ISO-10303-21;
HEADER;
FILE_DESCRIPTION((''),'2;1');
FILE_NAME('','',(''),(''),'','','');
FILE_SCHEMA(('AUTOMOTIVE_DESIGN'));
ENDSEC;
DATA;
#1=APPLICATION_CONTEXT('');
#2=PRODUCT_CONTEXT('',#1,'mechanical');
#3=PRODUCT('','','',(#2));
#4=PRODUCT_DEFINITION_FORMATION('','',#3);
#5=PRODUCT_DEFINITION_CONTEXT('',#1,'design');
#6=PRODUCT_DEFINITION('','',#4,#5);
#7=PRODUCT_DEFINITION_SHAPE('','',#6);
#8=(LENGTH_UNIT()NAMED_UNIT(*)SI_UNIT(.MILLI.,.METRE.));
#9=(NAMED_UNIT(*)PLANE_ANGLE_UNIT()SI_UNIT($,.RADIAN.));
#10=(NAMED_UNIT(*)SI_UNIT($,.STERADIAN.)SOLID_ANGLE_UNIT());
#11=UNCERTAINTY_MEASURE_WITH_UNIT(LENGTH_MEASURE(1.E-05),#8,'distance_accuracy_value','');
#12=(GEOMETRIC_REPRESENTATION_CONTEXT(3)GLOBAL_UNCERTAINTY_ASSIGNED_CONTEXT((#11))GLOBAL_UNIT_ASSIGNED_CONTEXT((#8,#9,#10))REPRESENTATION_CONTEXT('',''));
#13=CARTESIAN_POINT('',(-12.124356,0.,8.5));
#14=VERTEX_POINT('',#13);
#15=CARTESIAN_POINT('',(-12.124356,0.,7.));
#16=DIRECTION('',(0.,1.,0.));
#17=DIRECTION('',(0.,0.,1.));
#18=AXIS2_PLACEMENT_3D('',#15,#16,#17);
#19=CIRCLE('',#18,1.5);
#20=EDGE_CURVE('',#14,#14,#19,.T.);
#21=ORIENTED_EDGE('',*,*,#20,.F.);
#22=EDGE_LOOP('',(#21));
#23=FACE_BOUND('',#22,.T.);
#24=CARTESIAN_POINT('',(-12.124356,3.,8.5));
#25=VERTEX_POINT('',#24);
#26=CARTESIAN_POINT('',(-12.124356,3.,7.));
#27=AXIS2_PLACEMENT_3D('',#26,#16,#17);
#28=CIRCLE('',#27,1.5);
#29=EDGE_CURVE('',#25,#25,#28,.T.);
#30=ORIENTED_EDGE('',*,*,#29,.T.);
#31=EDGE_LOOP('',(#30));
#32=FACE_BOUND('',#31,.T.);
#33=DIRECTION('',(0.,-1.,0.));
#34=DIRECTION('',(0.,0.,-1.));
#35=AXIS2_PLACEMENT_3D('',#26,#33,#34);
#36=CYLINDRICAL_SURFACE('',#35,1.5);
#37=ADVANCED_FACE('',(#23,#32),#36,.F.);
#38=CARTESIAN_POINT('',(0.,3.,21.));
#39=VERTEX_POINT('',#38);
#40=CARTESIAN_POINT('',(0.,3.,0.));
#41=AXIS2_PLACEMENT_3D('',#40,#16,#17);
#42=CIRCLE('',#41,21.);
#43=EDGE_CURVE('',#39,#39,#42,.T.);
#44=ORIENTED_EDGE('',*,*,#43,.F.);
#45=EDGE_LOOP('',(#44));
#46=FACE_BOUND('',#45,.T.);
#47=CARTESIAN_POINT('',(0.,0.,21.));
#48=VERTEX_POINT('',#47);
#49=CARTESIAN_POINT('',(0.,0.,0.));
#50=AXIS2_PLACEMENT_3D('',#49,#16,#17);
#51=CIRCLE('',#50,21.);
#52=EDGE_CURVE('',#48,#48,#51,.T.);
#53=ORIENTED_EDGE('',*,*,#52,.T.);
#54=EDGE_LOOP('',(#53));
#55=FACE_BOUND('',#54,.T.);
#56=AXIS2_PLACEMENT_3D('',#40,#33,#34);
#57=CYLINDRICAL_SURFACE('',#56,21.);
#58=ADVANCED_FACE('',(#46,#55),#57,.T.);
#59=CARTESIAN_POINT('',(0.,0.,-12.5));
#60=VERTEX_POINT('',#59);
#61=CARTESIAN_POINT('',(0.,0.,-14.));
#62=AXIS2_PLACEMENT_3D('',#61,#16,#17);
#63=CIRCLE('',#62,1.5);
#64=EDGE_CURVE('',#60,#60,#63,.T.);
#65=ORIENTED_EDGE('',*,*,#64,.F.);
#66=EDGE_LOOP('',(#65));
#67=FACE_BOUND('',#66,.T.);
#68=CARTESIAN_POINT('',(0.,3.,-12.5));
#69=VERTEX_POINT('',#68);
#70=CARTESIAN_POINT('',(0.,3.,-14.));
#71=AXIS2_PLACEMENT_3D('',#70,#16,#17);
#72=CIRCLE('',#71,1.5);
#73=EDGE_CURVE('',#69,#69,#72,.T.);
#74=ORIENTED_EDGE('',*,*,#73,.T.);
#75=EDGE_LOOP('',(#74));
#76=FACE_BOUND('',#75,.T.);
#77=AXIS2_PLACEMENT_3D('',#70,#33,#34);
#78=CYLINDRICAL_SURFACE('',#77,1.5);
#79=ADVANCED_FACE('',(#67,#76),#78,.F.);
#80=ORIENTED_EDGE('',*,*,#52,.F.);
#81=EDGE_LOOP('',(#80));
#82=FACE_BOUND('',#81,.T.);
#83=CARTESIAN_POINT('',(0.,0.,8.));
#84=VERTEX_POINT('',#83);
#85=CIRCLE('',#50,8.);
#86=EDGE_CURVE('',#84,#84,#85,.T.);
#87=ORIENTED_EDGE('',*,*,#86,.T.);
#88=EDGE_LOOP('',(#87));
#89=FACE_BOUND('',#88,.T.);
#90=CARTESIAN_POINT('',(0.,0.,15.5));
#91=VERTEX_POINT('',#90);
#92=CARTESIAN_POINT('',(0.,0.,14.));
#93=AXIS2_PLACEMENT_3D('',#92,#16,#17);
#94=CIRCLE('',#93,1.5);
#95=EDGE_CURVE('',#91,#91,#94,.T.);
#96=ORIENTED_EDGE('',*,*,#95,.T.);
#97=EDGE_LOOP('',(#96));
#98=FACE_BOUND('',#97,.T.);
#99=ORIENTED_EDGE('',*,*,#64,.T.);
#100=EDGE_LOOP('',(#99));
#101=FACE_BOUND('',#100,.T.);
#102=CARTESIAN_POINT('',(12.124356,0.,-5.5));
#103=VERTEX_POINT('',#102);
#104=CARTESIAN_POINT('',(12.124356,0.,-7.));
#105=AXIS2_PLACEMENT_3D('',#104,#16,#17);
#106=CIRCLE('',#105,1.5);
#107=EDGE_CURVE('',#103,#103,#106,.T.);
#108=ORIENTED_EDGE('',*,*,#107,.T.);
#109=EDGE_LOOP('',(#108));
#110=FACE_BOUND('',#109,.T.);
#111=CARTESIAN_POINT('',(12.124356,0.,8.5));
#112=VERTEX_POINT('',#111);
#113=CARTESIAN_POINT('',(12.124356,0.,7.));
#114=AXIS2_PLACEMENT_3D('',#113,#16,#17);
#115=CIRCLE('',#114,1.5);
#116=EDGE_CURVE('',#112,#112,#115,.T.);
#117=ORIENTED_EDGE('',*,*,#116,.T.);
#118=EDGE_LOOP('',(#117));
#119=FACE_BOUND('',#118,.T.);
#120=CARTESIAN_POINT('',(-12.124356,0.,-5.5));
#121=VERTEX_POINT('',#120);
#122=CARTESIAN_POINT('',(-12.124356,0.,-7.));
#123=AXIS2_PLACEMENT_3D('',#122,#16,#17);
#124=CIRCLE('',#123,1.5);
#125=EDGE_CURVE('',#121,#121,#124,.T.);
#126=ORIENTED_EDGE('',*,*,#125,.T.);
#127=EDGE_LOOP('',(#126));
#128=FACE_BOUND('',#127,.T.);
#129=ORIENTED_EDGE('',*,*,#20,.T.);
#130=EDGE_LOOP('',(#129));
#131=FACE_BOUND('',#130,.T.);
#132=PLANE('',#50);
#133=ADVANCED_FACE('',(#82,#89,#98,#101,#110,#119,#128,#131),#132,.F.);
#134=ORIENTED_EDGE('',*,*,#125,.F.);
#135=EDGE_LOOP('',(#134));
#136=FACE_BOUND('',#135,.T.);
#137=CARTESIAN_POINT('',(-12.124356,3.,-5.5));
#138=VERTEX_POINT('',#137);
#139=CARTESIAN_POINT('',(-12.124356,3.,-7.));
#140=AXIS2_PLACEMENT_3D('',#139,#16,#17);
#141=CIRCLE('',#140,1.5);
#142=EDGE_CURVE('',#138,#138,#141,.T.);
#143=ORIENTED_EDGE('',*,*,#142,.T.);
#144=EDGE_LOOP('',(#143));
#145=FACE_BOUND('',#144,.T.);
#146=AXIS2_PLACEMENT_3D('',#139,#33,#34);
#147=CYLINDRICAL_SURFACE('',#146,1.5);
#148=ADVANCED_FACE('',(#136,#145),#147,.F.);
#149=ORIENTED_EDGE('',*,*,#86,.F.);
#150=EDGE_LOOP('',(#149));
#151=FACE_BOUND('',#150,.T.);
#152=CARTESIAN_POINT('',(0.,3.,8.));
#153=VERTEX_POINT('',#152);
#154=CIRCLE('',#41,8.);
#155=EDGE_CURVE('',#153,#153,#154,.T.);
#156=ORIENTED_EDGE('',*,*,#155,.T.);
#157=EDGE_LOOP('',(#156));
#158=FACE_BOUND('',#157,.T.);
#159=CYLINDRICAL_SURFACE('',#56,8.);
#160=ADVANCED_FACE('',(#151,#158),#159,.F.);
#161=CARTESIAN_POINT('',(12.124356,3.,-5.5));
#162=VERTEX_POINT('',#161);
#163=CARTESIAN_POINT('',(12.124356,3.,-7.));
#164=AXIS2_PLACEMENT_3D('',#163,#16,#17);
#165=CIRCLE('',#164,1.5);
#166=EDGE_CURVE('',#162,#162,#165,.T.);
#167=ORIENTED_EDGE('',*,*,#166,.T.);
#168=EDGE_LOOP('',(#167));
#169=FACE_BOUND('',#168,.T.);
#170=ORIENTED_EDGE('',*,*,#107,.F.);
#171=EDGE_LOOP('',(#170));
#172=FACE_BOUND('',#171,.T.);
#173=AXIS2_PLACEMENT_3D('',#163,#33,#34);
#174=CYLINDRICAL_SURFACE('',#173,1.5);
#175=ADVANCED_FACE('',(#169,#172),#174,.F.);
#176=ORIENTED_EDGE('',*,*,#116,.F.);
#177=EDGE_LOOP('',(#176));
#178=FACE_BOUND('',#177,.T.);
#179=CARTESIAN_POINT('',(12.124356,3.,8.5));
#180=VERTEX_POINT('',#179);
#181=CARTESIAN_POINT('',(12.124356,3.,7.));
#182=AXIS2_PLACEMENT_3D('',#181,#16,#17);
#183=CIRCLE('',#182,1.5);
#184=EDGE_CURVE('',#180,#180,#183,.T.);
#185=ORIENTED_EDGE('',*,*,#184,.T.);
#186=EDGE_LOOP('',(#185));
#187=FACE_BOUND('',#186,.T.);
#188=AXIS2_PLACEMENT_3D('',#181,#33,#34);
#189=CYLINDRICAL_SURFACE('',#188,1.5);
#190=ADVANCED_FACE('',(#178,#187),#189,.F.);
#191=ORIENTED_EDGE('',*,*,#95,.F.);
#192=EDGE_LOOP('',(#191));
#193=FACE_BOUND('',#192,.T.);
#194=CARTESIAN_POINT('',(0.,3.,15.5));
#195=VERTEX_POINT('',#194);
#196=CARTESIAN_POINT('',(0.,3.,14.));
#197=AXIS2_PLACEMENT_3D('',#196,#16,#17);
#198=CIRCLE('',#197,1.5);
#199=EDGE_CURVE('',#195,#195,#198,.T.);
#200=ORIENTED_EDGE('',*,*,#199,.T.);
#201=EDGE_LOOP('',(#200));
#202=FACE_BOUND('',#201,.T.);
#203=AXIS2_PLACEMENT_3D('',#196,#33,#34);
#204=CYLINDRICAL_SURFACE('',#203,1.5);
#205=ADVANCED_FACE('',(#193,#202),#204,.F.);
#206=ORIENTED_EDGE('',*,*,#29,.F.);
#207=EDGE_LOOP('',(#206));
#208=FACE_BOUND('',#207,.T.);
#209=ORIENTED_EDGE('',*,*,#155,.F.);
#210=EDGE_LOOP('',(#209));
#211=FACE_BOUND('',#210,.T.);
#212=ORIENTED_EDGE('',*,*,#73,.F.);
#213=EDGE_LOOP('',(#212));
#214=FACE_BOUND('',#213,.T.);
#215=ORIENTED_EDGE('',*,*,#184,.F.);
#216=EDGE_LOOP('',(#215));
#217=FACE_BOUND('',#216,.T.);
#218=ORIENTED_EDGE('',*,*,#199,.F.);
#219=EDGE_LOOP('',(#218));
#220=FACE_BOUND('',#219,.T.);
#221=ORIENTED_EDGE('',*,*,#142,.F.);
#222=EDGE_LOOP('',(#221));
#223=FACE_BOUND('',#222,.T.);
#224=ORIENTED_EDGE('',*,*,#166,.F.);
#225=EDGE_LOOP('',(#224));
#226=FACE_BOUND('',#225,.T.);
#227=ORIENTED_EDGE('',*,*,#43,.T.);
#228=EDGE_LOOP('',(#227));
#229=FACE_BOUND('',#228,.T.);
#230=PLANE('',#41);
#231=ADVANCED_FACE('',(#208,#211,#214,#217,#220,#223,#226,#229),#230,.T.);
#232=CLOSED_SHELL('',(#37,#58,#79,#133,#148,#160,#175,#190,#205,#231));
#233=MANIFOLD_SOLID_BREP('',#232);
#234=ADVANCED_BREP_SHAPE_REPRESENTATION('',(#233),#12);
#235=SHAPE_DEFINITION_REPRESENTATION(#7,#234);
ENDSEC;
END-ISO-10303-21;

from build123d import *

# Parameters (mm, degrees)
SKETCH_1_R      = 21
SKETCH_1_R_2    = 1.5
SKETCH_1_R_3    = 8
EXTRUDE_1_DEPTH = 3


with BuildPart() as part:
    # 草图1 → 凸台-拉伸1 (new body)
    with BuildSketch(Plane(origin=(0, 0, 0), x_dir=(1, 0, 0), z_dir=(0, 1, 0))):
        Circle(SKETCH_1_R)
        with Locations((0, 14)):
            Circle(SKETCH_1_R_2, mode=Mode.SUBTRACT)
        with Locations((12.124355653, 7)):
            Circle(SKETCH_1_R_2, mode=Mode.SUBTRACT)
        with Locations((12.124355653, -7)):
            Circle(SKETCH_1_R_2, mode=Mode.SUBTRACT)
        with Locations((0, -14)):
            Circle(SKETCH_1_R_2, mode=Mode.SUBTRACT)
        with Locations((-12.124355653, -7)):
            Circle(SKETCH_1_R_2, mode=Mode.SUBTRACT)
        with Locations((-12.124355653, 7)):
            Circle(SKETCH_1_R_2, mode=Mode.SUBTRACT)
        Circle(SKETCH_1_R_3, mode=Mode.SUBTRACT)
    extrude(amount=EXTRUDE_1_DEPTH)


solid = part.part
